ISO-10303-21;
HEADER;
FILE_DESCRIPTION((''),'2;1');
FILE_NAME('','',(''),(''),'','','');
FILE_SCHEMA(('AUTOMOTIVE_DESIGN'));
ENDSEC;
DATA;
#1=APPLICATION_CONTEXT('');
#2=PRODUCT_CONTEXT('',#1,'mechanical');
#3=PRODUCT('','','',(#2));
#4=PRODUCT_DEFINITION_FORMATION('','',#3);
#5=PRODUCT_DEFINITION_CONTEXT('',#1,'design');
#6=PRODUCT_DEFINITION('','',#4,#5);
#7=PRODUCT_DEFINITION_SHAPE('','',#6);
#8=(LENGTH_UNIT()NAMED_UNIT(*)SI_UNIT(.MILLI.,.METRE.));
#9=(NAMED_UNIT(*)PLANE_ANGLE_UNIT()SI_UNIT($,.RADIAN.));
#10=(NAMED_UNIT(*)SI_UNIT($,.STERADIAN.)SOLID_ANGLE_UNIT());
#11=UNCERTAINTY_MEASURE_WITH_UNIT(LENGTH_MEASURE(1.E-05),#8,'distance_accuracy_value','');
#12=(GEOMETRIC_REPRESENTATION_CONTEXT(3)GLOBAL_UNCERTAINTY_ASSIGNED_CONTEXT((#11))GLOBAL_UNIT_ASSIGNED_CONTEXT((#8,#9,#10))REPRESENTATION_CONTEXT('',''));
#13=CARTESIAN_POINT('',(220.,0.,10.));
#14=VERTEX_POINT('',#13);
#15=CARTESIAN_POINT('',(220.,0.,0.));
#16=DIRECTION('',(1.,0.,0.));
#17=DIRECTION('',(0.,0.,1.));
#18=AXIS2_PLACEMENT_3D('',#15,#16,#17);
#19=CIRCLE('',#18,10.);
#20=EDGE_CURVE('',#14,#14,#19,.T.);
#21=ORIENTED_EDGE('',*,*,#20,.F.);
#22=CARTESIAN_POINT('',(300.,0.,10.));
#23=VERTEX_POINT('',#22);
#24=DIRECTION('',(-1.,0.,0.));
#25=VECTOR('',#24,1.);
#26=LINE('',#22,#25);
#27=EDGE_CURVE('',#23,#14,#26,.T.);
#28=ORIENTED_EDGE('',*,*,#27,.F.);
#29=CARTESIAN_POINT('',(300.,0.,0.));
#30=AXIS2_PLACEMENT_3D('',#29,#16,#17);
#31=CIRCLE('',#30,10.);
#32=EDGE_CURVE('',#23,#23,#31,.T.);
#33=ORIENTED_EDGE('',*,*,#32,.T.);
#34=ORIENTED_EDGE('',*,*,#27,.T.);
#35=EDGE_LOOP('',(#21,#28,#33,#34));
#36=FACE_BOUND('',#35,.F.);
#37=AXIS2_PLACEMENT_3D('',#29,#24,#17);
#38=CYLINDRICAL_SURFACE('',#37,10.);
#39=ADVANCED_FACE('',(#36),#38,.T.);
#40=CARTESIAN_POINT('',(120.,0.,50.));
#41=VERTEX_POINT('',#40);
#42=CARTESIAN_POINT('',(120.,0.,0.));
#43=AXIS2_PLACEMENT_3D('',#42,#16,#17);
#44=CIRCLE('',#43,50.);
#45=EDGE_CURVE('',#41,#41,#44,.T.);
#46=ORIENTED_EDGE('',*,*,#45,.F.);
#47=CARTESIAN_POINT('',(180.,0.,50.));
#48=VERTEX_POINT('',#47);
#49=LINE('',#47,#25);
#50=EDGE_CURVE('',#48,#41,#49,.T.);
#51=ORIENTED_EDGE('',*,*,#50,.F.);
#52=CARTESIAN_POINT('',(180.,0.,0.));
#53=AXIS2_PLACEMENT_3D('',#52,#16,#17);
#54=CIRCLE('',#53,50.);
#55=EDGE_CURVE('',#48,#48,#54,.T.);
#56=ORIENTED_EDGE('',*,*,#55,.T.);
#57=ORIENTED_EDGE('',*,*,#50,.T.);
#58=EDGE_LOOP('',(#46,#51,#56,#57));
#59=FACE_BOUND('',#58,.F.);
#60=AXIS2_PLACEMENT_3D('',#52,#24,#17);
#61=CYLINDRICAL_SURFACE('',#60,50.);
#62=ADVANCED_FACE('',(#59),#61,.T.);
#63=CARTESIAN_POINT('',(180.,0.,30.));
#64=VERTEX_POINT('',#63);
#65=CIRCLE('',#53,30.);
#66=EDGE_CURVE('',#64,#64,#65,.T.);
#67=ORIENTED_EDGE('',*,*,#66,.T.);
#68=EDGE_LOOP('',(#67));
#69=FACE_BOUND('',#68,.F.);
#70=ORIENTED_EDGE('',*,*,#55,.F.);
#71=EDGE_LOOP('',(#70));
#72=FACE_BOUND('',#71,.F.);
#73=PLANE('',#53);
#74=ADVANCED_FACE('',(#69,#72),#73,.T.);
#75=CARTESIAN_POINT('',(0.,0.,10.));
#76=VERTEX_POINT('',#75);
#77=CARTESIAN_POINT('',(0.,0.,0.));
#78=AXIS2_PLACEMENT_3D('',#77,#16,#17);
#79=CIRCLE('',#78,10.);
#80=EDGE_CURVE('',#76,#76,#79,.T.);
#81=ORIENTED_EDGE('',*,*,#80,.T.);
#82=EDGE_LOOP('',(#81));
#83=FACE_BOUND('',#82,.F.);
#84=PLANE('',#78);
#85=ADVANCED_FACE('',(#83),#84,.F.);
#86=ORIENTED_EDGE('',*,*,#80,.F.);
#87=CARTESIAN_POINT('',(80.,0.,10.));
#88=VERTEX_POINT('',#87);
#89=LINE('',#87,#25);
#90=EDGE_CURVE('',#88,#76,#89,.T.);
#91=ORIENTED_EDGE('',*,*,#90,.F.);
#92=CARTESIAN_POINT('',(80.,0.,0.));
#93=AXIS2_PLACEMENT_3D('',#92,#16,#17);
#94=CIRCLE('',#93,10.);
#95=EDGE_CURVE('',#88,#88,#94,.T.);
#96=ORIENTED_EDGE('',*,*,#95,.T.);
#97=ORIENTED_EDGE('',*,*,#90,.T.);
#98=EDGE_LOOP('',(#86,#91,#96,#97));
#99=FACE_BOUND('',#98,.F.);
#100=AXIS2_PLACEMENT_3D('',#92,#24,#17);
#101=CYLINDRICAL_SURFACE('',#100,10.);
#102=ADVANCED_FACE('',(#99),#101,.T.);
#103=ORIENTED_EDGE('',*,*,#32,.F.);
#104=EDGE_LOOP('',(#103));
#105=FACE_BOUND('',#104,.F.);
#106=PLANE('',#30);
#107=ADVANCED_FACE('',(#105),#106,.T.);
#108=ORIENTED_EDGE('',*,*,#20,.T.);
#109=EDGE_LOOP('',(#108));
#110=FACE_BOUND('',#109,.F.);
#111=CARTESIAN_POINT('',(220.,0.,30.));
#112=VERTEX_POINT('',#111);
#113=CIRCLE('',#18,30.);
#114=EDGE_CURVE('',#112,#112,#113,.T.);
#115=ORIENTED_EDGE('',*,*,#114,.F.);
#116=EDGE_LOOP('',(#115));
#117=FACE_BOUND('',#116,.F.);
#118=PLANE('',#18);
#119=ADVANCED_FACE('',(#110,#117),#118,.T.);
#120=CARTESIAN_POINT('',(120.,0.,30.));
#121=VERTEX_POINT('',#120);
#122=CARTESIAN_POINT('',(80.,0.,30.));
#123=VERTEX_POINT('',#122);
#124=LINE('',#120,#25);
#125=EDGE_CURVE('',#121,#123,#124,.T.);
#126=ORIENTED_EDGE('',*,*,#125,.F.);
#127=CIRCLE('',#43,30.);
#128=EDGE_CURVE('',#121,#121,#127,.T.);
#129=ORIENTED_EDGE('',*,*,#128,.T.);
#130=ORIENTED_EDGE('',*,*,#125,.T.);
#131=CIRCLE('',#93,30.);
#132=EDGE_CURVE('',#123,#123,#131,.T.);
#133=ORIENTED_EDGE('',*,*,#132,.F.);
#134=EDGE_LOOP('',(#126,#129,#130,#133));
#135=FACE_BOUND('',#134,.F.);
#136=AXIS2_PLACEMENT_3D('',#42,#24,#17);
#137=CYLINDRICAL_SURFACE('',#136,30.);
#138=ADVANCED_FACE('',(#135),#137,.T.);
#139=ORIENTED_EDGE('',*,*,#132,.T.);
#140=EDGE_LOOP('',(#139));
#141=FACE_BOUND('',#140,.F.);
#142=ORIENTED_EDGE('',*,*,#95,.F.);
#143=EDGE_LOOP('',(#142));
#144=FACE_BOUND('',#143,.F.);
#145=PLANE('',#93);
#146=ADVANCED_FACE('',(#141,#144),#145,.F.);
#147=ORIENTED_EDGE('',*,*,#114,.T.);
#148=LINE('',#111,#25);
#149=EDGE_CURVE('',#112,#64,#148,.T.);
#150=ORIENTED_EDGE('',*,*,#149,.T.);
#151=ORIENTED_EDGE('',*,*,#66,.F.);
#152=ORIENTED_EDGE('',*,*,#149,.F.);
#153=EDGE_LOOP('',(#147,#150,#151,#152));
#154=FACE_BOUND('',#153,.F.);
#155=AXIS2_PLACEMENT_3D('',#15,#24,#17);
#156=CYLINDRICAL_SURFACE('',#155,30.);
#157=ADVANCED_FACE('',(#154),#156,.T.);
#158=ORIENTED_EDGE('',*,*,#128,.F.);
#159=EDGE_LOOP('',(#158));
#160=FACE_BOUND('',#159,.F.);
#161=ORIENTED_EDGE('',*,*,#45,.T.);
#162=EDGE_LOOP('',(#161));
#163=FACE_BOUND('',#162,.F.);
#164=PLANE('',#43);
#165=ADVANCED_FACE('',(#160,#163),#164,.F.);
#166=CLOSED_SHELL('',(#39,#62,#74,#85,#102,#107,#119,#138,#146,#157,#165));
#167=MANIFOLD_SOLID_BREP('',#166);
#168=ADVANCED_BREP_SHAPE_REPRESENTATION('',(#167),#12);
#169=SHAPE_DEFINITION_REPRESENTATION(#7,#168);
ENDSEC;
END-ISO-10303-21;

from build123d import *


with BuildPart() as part:
    # Sketch1 → Revolve1 (revolve)
    with BuildSketch(Plane.XY, mode=Mode.PRIVATE) as revolve1_sk:
        Polygon((300, 0), (300, -10), (220, -10), (220, -30), (180, -30), (180, -50), (120, -50), (120, -30), (80, -30), (80, -10), (0, -10), (0, 0), align=None)
    revolve(revolve1_sk.sketch.rotate(Axis((0, 0, 0), (1, 0, 0)), 270), axis=Axis((0, 0, 0), (1, 0, 0)))  # turned: the seam where the file's is


solid = part.part
